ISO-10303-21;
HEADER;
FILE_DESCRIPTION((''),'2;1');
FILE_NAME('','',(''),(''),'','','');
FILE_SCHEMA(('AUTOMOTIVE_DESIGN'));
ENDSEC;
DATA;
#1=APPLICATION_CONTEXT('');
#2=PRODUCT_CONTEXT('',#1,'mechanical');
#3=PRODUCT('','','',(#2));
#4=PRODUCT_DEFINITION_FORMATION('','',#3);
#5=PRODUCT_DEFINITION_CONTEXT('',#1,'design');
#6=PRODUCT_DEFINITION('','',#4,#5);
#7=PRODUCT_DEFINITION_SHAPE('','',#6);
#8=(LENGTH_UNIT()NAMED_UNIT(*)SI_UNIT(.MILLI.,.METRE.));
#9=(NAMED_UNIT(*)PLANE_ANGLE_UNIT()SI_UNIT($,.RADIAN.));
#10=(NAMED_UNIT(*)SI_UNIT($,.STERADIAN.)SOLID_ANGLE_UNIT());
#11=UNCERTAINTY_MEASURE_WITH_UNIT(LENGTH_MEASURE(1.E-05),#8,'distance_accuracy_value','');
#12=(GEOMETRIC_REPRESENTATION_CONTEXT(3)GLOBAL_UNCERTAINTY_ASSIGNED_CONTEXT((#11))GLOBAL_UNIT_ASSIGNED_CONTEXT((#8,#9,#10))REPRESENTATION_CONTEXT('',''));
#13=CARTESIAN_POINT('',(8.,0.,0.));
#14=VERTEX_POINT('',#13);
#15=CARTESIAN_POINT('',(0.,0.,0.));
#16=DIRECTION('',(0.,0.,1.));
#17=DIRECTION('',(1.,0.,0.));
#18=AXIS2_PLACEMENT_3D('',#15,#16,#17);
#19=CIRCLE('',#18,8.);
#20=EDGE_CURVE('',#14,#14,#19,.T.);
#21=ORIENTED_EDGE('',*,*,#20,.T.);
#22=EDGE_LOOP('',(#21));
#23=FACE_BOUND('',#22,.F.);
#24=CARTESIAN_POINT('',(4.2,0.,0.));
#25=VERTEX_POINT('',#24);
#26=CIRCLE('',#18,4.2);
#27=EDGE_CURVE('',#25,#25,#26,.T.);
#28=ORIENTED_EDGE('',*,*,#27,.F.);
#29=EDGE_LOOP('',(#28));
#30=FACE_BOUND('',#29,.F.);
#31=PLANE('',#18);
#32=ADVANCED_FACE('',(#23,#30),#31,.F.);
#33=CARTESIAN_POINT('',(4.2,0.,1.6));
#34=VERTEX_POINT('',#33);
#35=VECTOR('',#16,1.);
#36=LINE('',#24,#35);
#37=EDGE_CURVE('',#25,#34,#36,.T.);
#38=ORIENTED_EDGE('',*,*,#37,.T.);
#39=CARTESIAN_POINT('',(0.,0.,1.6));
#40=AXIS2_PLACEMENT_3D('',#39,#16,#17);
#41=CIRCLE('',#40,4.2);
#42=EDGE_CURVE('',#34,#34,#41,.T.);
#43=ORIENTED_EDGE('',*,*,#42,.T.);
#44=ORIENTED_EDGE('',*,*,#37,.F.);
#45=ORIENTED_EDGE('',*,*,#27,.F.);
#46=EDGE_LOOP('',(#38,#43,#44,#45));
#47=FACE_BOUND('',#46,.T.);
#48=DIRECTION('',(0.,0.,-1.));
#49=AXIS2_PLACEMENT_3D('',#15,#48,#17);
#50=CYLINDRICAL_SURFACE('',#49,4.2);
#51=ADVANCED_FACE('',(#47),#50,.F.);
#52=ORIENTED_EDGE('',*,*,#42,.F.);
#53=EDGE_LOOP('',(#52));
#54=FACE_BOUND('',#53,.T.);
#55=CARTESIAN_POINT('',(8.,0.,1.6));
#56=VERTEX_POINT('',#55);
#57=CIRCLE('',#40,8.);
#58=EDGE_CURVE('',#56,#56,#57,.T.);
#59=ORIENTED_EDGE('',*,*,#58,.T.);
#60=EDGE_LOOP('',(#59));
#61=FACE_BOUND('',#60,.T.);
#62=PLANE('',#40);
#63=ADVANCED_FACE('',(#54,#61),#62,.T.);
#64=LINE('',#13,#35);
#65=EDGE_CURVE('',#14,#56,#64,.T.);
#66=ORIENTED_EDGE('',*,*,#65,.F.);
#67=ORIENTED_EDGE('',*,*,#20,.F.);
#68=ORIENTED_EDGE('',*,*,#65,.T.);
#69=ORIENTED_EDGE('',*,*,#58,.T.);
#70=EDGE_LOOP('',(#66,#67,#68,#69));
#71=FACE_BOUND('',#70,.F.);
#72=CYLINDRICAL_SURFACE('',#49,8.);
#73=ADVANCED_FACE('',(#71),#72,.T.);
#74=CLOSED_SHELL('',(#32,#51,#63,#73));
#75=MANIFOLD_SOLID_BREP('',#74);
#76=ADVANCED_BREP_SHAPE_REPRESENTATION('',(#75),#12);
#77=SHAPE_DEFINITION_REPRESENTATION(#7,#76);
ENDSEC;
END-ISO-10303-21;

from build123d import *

# Parameters (mm, degrees)
SKETCH_1_R      = 8
SKETCH_1_R_2    = 4.2
EXTRUDE_1_DEPTH = 1.6


with BuildPart() as part:
    # Эскиз1 → Бобышка-Вытянуть1 (new body)
    with BuildSketch(Plane.XY):
        Circle(SKETCH_1_R)
        Circle(SKETCH_1_R_2, mode=Mode.SUBTRACT)
    extrude(amount=EXTRUDE_1_DEPTH)


solid = part.part
